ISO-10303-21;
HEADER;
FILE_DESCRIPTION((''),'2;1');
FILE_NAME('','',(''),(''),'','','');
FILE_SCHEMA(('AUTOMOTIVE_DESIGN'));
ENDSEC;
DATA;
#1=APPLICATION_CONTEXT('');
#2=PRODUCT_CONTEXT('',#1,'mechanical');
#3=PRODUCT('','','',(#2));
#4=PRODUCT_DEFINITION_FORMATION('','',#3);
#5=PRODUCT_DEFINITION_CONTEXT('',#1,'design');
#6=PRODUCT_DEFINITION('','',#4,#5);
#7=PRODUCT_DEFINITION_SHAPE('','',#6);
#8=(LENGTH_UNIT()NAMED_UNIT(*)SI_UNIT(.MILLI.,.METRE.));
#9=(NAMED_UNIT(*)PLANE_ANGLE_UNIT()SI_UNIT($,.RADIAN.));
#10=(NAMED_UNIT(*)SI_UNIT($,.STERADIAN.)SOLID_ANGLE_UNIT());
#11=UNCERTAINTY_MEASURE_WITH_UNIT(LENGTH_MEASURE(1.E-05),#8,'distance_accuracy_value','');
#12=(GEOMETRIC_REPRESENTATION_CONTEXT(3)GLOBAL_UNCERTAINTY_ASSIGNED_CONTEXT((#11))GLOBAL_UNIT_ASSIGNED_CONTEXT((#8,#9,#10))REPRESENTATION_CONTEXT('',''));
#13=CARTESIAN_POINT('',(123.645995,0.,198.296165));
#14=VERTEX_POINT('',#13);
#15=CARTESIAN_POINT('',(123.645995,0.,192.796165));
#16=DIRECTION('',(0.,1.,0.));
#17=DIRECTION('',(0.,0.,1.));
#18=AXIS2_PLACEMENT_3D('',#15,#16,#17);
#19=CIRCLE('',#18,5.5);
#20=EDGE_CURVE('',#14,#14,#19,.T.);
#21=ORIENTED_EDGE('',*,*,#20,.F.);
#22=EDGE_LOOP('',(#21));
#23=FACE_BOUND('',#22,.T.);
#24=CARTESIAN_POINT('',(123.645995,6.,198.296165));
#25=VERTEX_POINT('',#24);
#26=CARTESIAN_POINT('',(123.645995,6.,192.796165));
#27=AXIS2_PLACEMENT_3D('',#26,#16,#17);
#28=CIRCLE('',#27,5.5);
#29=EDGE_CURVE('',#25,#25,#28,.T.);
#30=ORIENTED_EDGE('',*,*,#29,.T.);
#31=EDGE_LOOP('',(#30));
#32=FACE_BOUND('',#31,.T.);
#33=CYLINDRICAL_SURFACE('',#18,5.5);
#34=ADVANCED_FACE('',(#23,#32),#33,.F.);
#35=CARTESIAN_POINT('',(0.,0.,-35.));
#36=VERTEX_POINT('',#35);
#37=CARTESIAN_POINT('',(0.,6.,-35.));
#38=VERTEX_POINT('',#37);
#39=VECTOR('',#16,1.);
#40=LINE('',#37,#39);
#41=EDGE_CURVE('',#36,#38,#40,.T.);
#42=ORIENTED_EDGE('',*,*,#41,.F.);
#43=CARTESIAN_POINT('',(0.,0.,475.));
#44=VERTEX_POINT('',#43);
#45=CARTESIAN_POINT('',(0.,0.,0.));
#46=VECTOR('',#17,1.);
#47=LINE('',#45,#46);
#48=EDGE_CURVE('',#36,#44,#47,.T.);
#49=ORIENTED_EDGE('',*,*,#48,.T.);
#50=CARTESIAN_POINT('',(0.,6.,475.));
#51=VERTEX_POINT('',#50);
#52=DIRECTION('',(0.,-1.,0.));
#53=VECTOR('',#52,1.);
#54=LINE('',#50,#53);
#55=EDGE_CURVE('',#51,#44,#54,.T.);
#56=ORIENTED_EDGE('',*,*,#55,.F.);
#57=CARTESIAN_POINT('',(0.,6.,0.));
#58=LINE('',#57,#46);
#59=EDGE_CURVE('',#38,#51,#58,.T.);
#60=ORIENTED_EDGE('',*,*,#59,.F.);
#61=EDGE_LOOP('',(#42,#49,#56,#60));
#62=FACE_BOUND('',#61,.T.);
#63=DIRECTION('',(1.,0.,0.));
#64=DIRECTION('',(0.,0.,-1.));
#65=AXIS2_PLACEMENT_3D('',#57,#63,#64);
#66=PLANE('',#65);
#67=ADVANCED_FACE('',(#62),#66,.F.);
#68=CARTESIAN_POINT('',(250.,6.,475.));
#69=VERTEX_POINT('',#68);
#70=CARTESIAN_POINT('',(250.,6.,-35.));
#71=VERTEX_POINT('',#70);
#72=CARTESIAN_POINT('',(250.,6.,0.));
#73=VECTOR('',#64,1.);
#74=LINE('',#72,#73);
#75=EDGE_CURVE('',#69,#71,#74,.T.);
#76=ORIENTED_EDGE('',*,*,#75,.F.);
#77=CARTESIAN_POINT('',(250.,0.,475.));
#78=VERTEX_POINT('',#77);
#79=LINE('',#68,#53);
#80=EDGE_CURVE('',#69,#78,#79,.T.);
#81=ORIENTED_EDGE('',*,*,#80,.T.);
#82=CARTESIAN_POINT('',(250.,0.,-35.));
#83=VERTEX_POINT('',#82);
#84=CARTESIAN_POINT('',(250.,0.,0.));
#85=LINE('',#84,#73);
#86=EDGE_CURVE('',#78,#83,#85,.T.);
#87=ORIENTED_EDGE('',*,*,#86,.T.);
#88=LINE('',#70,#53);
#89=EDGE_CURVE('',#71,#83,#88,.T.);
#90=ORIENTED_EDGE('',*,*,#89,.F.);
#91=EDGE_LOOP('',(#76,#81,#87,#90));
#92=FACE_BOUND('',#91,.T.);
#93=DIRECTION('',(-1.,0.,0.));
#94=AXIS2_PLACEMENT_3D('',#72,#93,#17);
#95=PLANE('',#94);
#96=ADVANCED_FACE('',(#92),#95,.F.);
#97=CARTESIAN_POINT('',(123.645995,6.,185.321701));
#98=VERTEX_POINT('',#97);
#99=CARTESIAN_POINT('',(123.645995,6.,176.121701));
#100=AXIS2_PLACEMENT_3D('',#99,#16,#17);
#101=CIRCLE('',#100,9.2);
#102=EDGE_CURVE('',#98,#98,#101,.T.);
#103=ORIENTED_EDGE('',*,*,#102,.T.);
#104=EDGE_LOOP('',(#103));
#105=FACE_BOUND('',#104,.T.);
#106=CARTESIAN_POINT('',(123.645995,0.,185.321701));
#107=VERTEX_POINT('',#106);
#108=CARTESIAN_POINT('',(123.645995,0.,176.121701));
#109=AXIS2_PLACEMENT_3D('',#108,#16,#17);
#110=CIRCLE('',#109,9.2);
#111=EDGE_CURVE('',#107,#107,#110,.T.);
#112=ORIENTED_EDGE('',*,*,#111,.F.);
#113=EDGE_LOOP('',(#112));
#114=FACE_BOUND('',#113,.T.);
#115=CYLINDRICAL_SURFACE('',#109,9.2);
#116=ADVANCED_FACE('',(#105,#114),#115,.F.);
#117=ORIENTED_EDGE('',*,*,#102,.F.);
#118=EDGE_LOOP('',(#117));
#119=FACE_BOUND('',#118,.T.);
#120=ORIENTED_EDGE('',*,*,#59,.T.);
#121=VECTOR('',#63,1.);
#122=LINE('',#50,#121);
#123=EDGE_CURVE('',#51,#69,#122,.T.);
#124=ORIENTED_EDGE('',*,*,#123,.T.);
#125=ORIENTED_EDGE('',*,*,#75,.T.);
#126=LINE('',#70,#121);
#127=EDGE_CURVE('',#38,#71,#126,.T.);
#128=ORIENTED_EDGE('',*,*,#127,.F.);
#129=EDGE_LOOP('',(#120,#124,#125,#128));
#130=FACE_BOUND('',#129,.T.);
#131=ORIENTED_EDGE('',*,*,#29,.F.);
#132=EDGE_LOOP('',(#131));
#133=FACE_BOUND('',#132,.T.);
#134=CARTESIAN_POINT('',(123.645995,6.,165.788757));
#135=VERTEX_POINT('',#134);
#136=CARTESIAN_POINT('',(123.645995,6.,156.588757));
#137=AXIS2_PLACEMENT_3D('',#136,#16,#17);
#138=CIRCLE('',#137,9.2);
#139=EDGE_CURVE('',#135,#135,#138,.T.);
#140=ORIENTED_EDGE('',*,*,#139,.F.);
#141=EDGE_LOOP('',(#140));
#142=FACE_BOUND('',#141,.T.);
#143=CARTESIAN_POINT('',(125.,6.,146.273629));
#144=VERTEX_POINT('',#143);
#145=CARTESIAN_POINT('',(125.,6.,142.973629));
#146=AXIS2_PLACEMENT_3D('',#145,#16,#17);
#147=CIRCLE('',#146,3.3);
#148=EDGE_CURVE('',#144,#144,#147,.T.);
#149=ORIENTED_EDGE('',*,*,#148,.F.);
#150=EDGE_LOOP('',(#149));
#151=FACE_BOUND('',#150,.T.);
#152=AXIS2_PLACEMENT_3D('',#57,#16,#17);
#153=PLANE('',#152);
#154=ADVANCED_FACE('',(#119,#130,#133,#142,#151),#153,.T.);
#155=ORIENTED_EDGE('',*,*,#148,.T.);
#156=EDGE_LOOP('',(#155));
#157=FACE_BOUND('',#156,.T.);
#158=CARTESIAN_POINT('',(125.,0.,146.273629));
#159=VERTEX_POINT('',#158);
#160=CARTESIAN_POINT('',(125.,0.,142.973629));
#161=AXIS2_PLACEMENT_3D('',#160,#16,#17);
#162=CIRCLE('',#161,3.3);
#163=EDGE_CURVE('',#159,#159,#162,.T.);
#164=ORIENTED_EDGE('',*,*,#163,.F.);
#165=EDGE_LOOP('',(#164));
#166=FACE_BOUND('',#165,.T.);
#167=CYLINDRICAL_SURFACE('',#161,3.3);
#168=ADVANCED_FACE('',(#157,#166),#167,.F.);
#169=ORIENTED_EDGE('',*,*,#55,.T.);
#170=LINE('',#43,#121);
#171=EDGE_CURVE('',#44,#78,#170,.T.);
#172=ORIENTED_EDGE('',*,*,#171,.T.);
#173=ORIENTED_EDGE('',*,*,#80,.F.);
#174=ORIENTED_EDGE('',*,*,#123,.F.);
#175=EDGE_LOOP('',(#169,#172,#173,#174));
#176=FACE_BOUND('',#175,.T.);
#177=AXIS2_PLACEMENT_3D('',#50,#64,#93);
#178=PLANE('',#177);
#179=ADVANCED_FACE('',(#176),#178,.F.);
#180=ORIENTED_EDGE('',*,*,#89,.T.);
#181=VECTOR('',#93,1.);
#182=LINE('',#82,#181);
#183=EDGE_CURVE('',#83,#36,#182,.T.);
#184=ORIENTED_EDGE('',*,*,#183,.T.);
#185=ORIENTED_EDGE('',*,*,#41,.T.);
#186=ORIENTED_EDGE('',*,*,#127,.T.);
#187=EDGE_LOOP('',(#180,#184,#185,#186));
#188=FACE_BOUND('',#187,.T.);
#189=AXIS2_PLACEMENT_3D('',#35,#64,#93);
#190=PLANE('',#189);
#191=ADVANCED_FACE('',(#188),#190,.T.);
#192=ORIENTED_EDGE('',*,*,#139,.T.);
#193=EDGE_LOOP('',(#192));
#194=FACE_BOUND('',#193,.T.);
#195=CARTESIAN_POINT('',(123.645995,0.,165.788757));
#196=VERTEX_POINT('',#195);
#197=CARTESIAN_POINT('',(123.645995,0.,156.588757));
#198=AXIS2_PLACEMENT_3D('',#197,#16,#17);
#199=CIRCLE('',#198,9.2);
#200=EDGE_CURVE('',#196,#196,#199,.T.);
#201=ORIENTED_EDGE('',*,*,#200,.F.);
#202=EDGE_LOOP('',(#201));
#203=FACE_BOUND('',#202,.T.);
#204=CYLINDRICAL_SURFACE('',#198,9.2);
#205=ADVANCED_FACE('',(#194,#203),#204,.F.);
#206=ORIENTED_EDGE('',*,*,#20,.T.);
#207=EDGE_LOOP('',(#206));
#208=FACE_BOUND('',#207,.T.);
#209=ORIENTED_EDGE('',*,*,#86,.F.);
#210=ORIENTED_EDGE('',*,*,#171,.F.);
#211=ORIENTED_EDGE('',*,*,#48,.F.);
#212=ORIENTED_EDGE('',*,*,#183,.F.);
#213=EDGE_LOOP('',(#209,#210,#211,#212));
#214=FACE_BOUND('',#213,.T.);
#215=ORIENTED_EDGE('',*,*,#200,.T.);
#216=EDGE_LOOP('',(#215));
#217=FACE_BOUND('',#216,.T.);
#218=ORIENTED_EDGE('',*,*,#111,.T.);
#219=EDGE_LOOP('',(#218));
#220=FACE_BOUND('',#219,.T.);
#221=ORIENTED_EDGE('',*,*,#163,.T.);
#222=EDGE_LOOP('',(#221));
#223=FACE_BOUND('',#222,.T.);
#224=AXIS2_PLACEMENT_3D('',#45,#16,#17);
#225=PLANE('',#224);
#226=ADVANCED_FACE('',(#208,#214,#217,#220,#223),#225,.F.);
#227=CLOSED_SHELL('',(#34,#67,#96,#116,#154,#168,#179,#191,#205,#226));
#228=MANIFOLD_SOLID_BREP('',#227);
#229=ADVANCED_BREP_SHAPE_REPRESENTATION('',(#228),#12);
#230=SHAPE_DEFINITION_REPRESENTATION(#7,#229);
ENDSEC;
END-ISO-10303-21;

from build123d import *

# Parameters (mm, degrees)
ESBO_O1_W                = 250
ESBO_O1_H                = 475
RESSALTO_EXTRUS_O1_DEPTH = 6
ESBO_O2_W                = 250
ESBO_O2_H                = 6
RESSALTO_EXTRUS_O2_DEPTH = 25
ESBO_O3_W                = 250
ESBO_O3_H                = 6
RESSALTO_EXTRUS_O4_DEPTH = 80
ESBO_O4_W                = 250
ESBO_O4_H                = 6
CORTE_EXTRUS_O1_DEPTH    = 70
ESBO_O5_R                = 3.3
ESBO_O5_R_2              = 9.2
ESBO_O5_R_3              = 5.5
CORTE_EXTRUS_O3_DEPTH    = 537.806296535


with BuildPart() as part:
    # Esboço1 → Ressalto-extrusão1 (new body)
    with BuildSketch(Plane(origin=(0, 0, 0), x_dir=(1, 0, 0), z_dir=(0, 1, 0))):
        with Locations((125, -237.5)):
            Rectangle(ESBO_O1_W, ESBO_O1_H)
    extrude(amount=RESSALTO_EXTRUS_O1_DEPTH)

    # Esboço2 → Ressalto-extrusão2 (add)
    with BuildSketch(Plane(origin=(0, 0, 0), x_dir=(-1, 0, 0), z_dir=(0, 0, -1))):
        with Locations((-125, 3)):
            Rectangle(ESBO_O2_W, ESBO_O2_H)
    extrude(amount=RESSALTO_EXTRUS_O2_DEPTH)

    # Esboço3 → Ressalto-extrusão4 (add)
    with BuildSketch(Plane(origin=(0, 0, -25), x_dir=(-1, 0, 0), z_dir=(0, 0, -1))):
        with Locations((-125, 3)):
            Rectangle(ESBO_O3_W, ESBO_O3_H)
    extrude(amount=RESSALTO_EXTRUS_O4_DEPTH)

    # Esboço4 → Corte-extrusão1 (cut)
    with BuildSketch(Plane(origin=(0, 0, -105), x_dir=(-1, 0, 0), z_dir=(0, 0, -1))):
        with Locations((-125, 3)):
            Rectangle(ESBO_O4_W, ESBO_O4_H)
    extrude(amount=-CORTE_EXTRUS_O1_DEPTH, mode=Mode.SUBTRACT)

    # Esboço5 → Corte-extrusão3 (cut, through all)
    with BuildSketch(Plane(origin=(0, 6, 0), x_dir=(1, 0, 0), z_dir=(0, 1, 0))):
        with Locations(Location((125, -142.97362902, 0), (0, 0, 270))):
            Circle(ESBO_O5_R)
        with Locations(Location((123.645994784, -156.588756812, 0), (0, 0, 270))):
            Circle(ESBO_O5_R_2)
        with Locations(Location((123.645994784, -192.796164786, 0), (0, 0, 270))):
            Circle(ESBO_O5_R_3)
        with Locations(Location((123.645994784, -176.121700588, 0), (0, 0, 270))):
            Circle(ESBO_O5_R_2)
    extrude(amount=-CORTE_EXTRUS_O3_DEPTH, mode=Mode.SUBTRACT)


solid = part.part
